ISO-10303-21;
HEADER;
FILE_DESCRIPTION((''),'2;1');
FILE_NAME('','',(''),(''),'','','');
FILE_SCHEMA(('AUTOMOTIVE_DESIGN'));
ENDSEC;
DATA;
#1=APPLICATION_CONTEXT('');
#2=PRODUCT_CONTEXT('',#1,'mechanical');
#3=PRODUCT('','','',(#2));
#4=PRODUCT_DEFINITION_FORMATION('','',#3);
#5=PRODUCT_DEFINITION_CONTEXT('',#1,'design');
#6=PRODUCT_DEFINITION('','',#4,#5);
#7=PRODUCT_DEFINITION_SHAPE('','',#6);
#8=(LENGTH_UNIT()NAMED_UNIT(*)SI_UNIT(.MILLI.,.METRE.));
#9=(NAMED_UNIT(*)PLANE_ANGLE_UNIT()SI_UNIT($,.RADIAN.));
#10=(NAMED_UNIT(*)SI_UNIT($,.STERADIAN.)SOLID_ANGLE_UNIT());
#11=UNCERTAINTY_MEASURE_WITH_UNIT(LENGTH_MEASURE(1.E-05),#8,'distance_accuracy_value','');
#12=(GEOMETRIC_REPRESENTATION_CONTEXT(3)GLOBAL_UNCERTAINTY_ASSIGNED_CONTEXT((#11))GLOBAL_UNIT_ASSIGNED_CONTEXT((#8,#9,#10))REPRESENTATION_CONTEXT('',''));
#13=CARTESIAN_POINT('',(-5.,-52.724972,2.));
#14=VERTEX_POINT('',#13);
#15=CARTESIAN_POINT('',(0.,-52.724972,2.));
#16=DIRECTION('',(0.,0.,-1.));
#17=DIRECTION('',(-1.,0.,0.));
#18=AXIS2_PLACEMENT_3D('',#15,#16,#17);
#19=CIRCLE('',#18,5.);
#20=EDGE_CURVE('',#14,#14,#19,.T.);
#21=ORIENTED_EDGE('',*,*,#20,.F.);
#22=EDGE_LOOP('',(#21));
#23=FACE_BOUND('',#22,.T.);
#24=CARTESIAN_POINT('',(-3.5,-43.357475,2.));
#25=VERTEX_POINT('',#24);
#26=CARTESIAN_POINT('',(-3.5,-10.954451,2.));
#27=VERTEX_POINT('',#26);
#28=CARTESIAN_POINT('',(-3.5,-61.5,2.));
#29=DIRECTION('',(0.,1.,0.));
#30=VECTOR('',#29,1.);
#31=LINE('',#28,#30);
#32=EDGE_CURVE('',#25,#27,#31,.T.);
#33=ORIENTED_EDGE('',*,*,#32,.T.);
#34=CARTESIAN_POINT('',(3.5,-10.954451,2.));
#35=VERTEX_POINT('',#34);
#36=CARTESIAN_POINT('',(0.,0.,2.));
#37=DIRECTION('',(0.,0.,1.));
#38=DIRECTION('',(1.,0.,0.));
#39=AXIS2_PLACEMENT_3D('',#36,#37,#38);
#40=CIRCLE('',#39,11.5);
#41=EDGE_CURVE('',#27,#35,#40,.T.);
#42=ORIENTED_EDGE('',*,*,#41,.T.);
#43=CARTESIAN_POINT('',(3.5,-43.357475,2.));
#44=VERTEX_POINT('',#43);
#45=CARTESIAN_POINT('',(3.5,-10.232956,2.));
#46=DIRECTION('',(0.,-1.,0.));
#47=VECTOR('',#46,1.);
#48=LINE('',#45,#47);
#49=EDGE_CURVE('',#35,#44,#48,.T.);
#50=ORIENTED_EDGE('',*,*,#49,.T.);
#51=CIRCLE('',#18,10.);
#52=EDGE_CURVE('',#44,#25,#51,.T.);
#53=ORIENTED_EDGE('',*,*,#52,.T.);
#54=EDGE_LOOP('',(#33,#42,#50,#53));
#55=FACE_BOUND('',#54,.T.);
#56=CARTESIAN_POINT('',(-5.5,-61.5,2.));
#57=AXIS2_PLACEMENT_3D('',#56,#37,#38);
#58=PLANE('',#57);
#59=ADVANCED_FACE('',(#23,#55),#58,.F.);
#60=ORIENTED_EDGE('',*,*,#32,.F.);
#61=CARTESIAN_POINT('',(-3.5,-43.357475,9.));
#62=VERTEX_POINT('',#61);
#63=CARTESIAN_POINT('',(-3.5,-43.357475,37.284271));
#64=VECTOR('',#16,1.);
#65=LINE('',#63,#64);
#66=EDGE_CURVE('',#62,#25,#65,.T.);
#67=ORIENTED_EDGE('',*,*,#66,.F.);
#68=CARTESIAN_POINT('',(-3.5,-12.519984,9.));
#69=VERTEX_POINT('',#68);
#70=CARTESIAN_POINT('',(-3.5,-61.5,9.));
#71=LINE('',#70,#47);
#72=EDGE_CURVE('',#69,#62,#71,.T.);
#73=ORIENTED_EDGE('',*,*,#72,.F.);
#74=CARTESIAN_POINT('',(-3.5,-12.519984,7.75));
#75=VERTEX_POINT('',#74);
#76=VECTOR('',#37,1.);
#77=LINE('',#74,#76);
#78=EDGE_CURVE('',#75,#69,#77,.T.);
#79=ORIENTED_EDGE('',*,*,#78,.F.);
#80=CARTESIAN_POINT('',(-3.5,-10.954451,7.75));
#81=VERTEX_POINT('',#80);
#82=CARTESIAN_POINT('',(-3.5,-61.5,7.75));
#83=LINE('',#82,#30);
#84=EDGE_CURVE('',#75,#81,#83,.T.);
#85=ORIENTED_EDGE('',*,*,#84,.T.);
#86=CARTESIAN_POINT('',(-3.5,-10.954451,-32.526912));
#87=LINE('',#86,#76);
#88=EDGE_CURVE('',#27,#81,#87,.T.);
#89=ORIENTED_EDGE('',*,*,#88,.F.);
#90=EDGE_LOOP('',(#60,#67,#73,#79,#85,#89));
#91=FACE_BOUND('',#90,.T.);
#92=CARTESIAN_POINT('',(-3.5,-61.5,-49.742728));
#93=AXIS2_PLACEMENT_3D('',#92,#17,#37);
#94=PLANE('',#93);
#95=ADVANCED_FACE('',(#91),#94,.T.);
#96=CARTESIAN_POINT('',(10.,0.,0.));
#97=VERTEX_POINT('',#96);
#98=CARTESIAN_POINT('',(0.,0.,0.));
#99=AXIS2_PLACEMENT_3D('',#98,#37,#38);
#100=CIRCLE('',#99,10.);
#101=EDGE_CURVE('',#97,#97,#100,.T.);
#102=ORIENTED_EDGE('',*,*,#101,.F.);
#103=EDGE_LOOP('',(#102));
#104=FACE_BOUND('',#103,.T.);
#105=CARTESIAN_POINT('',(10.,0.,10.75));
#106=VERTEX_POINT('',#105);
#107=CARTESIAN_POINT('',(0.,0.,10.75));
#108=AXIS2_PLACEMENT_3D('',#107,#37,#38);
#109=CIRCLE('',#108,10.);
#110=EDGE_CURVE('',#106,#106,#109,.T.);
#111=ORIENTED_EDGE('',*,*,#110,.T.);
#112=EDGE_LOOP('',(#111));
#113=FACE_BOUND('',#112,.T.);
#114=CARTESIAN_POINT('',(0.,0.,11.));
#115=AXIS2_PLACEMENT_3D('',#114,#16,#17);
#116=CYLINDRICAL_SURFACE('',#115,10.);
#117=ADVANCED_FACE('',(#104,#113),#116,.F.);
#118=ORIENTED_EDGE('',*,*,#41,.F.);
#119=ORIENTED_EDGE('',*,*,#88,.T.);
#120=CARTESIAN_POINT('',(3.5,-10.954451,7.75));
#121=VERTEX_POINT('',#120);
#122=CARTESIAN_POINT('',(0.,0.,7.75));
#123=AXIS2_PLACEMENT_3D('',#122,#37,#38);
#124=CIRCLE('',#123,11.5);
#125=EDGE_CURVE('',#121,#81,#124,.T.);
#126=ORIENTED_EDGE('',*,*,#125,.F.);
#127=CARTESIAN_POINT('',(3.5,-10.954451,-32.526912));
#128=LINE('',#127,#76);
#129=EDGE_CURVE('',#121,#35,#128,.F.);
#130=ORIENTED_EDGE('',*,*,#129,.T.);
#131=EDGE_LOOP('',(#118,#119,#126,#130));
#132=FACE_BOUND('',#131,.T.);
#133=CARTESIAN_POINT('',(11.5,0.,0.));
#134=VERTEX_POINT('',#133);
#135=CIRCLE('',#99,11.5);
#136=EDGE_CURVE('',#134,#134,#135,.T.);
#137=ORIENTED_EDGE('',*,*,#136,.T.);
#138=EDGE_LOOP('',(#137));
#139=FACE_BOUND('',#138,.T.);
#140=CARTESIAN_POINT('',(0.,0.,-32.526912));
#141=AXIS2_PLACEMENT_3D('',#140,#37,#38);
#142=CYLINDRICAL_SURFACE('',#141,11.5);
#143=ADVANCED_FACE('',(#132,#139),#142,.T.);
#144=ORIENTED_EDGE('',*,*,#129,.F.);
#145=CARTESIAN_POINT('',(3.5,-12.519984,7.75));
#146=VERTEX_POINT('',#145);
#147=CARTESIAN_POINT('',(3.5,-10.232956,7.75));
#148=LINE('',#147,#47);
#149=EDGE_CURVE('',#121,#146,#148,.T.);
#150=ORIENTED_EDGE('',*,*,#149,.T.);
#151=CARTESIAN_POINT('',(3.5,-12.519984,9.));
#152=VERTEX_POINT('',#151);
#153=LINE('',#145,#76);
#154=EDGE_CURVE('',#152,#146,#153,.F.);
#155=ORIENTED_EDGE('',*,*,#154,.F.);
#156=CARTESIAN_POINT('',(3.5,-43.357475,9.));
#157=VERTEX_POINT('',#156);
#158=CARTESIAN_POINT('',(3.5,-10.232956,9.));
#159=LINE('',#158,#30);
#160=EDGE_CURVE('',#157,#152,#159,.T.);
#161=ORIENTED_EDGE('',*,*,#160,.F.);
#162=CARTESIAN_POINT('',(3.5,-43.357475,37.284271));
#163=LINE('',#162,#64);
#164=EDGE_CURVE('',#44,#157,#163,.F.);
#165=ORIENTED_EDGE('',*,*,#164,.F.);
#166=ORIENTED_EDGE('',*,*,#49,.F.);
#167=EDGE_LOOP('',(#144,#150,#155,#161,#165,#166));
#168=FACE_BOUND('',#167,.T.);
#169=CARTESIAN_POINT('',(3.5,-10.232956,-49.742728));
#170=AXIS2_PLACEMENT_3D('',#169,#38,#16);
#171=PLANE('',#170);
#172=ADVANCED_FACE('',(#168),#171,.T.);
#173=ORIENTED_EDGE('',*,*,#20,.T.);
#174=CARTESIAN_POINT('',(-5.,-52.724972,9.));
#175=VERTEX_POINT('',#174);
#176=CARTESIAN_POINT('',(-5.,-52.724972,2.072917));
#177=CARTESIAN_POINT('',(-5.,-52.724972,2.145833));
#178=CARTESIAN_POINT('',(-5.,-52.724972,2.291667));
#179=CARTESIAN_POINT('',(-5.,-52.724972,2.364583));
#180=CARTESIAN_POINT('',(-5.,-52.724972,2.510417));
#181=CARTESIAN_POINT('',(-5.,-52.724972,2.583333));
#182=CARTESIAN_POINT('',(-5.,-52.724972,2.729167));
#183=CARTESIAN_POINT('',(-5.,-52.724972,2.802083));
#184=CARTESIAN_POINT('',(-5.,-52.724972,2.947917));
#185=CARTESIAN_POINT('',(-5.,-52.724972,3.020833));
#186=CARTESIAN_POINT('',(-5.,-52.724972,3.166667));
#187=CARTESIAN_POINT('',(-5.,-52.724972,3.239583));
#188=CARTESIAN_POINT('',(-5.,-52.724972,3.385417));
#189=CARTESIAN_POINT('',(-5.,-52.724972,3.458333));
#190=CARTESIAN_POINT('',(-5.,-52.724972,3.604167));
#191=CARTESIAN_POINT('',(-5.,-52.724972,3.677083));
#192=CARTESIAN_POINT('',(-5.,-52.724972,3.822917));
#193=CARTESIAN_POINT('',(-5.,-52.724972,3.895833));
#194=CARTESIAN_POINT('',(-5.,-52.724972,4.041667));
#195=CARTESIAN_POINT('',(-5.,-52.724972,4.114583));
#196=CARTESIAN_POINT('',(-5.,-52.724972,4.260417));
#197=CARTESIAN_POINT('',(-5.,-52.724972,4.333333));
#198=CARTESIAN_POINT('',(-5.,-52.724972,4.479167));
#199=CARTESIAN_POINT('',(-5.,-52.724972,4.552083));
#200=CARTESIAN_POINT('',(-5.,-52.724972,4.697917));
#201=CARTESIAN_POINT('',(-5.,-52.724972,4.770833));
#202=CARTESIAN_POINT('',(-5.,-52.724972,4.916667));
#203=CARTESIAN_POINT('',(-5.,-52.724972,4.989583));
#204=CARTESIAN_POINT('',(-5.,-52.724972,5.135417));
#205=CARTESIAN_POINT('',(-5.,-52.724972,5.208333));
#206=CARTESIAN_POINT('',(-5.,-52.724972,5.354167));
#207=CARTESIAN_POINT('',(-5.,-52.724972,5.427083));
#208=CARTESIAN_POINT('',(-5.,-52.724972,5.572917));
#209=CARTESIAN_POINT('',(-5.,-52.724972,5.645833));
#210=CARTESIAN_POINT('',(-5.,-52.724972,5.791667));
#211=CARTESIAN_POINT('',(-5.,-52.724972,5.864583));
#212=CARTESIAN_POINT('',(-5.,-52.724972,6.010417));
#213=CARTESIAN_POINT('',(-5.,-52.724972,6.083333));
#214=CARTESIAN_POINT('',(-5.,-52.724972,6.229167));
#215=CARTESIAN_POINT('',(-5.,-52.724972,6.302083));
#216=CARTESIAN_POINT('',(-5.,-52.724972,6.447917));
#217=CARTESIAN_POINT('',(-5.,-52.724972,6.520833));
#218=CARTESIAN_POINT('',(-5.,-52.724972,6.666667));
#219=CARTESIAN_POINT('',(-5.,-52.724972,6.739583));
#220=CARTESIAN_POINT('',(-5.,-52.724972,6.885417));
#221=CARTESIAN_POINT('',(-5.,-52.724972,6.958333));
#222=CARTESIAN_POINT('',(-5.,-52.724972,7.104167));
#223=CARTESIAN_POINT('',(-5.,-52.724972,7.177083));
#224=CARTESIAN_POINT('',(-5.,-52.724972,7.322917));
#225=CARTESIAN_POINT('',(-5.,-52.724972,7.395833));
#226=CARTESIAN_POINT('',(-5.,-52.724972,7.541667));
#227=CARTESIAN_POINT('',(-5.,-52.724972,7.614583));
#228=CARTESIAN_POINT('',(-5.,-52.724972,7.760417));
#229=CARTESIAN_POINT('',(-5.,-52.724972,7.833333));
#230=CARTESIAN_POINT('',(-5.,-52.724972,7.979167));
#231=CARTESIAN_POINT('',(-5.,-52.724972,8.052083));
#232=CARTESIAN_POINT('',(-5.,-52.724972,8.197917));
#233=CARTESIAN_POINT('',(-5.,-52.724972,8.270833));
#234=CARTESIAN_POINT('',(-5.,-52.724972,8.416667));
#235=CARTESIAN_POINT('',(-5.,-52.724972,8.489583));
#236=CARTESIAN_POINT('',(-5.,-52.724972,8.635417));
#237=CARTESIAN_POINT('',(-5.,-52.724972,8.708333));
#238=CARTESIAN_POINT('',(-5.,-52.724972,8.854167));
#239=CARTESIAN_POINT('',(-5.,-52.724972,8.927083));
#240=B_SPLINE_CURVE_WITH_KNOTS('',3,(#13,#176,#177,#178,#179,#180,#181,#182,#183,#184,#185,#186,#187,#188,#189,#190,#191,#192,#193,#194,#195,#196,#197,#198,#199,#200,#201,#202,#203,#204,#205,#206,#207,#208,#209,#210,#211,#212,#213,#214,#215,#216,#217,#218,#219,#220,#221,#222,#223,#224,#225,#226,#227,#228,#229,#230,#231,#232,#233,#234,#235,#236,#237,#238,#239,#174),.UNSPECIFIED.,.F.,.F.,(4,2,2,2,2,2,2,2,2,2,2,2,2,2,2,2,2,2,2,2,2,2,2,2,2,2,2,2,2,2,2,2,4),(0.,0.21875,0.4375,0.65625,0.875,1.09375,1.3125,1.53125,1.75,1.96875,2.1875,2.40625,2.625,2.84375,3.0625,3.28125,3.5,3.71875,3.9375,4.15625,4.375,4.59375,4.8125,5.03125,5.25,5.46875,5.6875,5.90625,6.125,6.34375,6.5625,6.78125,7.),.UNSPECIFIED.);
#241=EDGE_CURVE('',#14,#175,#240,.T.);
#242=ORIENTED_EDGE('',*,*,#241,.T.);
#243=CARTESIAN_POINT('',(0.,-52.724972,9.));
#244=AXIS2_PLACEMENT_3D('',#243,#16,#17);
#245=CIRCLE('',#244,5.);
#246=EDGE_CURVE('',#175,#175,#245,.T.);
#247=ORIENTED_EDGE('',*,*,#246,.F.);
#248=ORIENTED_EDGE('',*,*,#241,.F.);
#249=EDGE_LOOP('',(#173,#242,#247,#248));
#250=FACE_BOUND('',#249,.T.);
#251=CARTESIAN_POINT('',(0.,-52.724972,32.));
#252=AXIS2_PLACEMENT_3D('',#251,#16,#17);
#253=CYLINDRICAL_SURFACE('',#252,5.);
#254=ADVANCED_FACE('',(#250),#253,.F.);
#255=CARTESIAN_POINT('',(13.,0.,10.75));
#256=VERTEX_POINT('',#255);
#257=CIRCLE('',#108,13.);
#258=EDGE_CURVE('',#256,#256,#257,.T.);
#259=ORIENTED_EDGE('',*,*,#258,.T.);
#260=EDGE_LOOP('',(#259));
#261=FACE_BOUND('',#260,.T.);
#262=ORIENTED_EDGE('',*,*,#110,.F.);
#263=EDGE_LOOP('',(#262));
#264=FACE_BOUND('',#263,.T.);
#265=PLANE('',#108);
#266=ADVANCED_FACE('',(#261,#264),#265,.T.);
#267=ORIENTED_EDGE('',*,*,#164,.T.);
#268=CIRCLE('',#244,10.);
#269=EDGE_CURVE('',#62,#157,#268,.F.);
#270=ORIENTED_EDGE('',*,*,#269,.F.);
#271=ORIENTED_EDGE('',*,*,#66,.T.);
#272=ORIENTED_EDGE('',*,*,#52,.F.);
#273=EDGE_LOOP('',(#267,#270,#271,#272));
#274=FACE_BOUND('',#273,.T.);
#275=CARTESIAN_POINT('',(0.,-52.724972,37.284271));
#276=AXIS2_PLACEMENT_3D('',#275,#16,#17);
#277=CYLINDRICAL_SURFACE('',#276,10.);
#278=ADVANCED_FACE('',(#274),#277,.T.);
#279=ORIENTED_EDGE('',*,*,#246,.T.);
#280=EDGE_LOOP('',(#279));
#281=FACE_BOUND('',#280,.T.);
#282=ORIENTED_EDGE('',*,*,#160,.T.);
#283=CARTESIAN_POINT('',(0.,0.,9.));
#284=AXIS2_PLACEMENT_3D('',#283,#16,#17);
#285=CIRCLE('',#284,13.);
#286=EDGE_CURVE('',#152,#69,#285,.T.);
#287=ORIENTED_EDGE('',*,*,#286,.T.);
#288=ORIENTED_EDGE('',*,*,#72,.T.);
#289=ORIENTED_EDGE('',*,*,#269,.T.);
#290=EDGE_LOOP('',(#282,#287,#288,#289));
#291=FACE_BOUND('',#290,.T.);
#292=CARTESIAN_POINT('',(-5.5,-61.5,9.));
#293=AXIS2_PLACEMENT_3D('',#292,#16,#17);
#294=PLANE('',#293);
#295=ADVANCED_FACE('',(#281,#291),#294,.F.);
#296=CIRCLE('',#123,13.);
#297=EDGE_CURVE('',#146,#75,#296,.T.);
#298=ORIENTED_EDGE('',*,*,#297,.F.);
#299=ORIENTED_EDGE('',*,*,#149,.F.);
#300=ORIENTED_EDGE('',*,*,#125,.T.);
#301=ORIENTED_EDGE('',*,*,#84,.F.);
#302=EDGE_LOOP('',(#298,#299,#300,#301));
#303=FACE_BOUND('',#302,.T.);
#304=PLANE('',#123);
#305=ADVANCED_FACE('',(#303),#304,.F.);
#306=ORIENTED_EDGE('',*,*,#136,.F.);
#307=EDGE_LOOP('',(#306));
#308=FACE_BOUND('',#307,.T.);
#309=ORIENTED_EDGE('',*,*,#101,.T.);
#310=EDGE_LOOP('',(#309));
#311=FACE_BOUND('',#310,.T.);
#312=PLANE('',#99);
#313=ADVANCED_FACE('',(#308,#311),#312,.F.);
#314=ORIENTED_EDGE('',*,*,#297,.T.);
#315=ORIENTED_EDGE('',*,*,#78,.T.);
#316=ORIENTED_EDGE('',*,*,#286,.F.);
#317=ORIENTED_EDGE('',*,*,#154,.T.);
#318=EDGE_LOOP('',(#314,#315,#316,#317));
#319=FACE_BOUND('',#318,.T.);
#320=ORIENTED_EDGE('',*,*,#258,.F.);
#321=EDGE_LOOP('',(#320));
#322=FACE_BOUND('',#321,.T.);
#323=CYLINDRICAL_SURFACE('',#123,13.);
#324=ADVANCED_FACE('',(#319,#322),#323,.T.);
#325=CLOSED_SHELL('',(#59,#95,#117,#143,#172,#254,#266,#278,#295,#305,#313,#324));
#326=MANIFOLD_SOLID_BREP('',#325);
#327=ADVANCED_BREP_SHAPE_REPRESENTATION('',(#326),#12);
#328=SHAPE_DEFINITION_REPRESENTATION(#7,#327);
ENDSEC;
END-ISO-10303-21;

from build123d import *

# Parameters (mm, degrees)
CROQUIS1_R               = 10
SALIENTE_EXTRUIR1_DEPTH  = 3
CROQUIS2_R               = 11.5
CROQUIS2_R_2             = 10
SALIENTE_EXTRUIR3_DEPTH  = 8
SALIENTE_EXTRUIR4_START  = 3
CROQUIS3_R               = 11.5
CROQUIS3_R_2             = 10
SALIENTE_EXTRUIR4_DEPTH  = 3
SALIENTE_EXTRUIR5_DEPTH  = 8
CROQUIS11_W              = 0.560242515
CROQUIS11_H              = 6
CORTAR_EXTRUIR3_DEPTH    = 8
CROQUIS12_W              = 2.5
CROQUIS12_H              = 0.622045166
SALIENTE_EXTRUIR6_DEPTH  = 3
CROQUIS13_W              = 5
CROQUIS13_H              = 50.27502784
SALIENTE_EXTRUIR7_DEPTH  = 8
CROQUIS15_W              = 2
CROQUIS15_H              = 50.27502784
CORTAR_EXTRUIR4_DEPTH    = 8
SALIENTE_EXTRUIR8_DEPTH  = 7
CROQUIS21_R              = 10
SALIENTE_EXTRUIR9_DEPTH  = 7
CROQUIS22_R              = 5
CORTAR_EXTRUIR5_DEPTH    = 30
CROQUIS23_R              = 10
SALIENTE_EXTRUIR10_DEPTH = 1.25
CORTAR_EXTRUIR6_START    = -1.5
CROQUIS24_R              = 10
CORTAR_EXTRUIR6_DEPTH    = 1.5
SALIENTE_EXTRUIR11_START = -3
CROQUIS25_R              = 13
SALIENTE_EXTRUIR11_DEPTH = 3
CORTAR_EXTRUIR14_START   = -10
CROQUIS30_R              = 10
CORTAR_EXTRUIR14_DEPTH   = 10
CROQUIS31_R              = 11.5
CROQUIS31_R_2            = 10
SALIENTE_EXTRUIR12_DEPTH = 7.75


with BuildPart() as part:
    # Croquis1 → Saliente-Extruir1 (new body)
    with BuildSketch(Plane.XY):
        Circle(CROQUIS1_R)
    extrude(amount=SALIENTE_EXTRUIR1_DEPTH)



with BuildPart() as body_2:
    # Croquis2 → Saliente-Extruir3 (new body)
    with BuildSketch(Plane.XY.offset(3)):
        Circle(CROQUIS2_R)
        Circle(CROQUIS2_R_2, mode=Mode.SUBTRACT)
    extrude(amount=SALIENTE_EXTRUIR3_DEPTH)


with BuildPart() as part_1:
    add(part.part)

    add(body_2.part)  # Saliente-Extruir4 merges body 2
    # Croquis3 → Saliente-Extruir4 (add)
    with BuildSketch(Plane(origin=(0, 0, 3), x_dir=(-1, 0, 0), z_dir=(0, 0, -1)).offset(SALIENTE_EXTRUIR4_START)):
        with Locations(Location((0, 0, 0), (0, 0, 180))):
            Circle(CROQUIS3_R)
        with Locations(Location((0, 0, 0), (0, 0, 180))):
            Circle(CROQUIS3_R_2, mode=Mode.SUBTRACT)
    extrude(amount=-SALIENTE_EXTRUIR4_DEPTH)

    # Croquis12 → Saliente-Extruir6 (add)
    with BuildSketch(Plane.XY.offset(3)):
        with Locations((-1.25, -11.188977417)):
            Rectangle(CROQUIS12_W, CROQUIS12_H)
        with Locations((1.25, -11.188977417)):
            Rectangle(CROQUIS12_W, CROQUIS12_H)
        Polygon((2.5, -11.5), (2.5, -61.5), (-2.5, -61.5), (-2.5, -11.5), (0, -11.5), align=None)
    extrude(amount=-SALIENTE_EXTRUIR6_DEPTH)

    # Croquis13 → Saliente-Extruir7 (add)
    with BuildSketch(Plane.XY.offset(3)):
        with Locations((0, -36.36248608)):
            Rectangle(CROQUIS13_W, CROQUIS13_H)
    extrude(amount=SALIENTE_EXTRUIR7_DEPTH)

    # Croquis15 → Cortar-Extruir4 (cut)
    with BuildSketch(Plane(origin=(2.5, 0, 0), x_dir=(0, 0, -1), z_dir=(1, 0, 0))):
        with Locations((-10, -36.36248608)):
            Rectangle(CROQUIS15_W, CROQUIS15_H)
        with Locations((-1, -36.36248608)):
            Rectangle(CROQUIS15_W, CROQUIS15_H)
    extrude(amount=-CORTAR_EXTRUIR4_DEPTH, mode=Mode.SUBTRACT)

    # Croquis16 → Saliente-Extruir8 (add)
    with BuildSketch(Plane.XY.offset(9)):
        Polygon((-2.5, -61.5), (-3.5, -61.5), (-3.5, -10.232955502), (3.5, -10.232955502), (3.5, -61.5), (2.5, -61.5), align=None)
    extrude(amount=-SALIENTE_EXTRUIR8_DEPTH)

    # Croquis21 → Saliente-Extruir9 (add)
    with BuildSketch(Plane(origin=(0, 0, 2), x_dir=(-1, 0, 0), z_dir=(0, 0, -1))):
        with Locations((0, -52.72497216)):
            Circle(CROQUIS21_R)
    extrude(amount=-SALIENTE_EXTRUIR9_DEPTH)

    # Croquis22 → Cortar-Extruir5 (cut)
    with BuildSketch(Plane(origin=(0, 0, 2), x_dir=(-1, 0, 0), z_dir=(0, 0, -1))):
        with Locations((0, -52.72497216)):
            Circle(CROQUIS22_R)
    extrude(amount=-CORTAR_EXTRUIR5_DEPTH, mode=Mode.SUBTRACT)

    # Croquis23 → Saliente-Extruir10 (add)
    with BuildSketch(Plane.XY.offset(11)):
        with BuildLine():
            Line((-2.5, -11.22497216), (2.5, -11.22497216))
            ThreePointArc((2.5, -11.22497216), (0, 11.5), (-2.5, -11.22497216))
        make_face()
        Circle(CROQUIS23_R, mode=Mode.SUBTRACT)
    extrude(amount=SALIENTE_EXTRUIR10_DEPTH)

    # Croquis24 → Cortar-Extruir6 (cut)
    with BuildSketch(Plane.XY.offset(12.25).offset(CORTAR_EXTRUIR6_START)):
        with BuildLine():
            Line((-2.5, -11.22497216), (2.5, -11.22497216))
            ThreePointArc((2.5, -11.22497216), (0, 11.5), (-2.5, -11.22497216))
        make_face()
        Circle(CROQUIS24_R, mode=Mode.SUBTRACT)
    extrude(amount=CORTAR_EXTRUIR6_DEPTH, mode=Mode.SUBTRACT)

    # Croquis25 → Saliente-Extruir11 (add)
    with BuildSketch(Plane.XY.offset(10.75).offset(SALIENTE_EXTRUIR11_START)):
        Circle(CROQUIS25_R)
        with BuildLine():
            ThreePointArc((2.5, -11.22497216), (0, 11.5), (-2.5, -11.22497216))
            Line((-2.5, -11.22497216), (2.5, -11.22497216))
        make_face(mode=Mode.SUBTRACT)
    extrude(amount=SALIENTE_EXTRUIR11_DEPTH)

    # Croquis30 → Cortar-Extruir14 (cut)
    with BuildSketch(Plane.XY.offset(3).offset(CORTAR_EXTRUIR14_START)):
        Circle(CROQUIS30_R)
    extrude(amount=CORTAR_EXTRUIR14_DEPTH, mode=Mode.SUBTRACT)

    # Croquis31 → Saliente-Extruir12 (add)
    with BuildSketch(Plane(origin=(0, 0, 0), x_dir=(-1, 0, 0), z_dir=(0, 0, -1))):
        with Locations(Location((0, 0, 0), (0, 0, 180))):
            Circle(CROQUIS31_R)
        with Locations(Location((0, 0, 0), (0, 0, 180))):
            Circle(CROQUIS31_R_2, mode=Mode.SUBTRACT)
    extrude(amount=-SALIENTE_EXTRUIR12_DEPTH)


with BuildPart() as body_2_2:
    # Croquis9 → Saliente-Extruir5 (new body)
    with BuildSketch(Plane.XY.offset(11)):
        Polygon((11.5, 0), (11.5, 3), (12.060242515, 3), (12.060242515, -3), (11.5, -3), align=None)
    extrude(amount=-SALIENTE_EXTRUIR5_DEPTH)

    # Croquis11 → Cortar-Extruir3 (cut)
    with BuildSketch(Plane.XY.offset(11)):
        with Locations((11.780121257, 0)):
            Rectangle(CROQUIS11_W, CROQUIS11_H)
    extrude(amount=-CORTAR_EXTRUIR3_DEPTH, mode=Mode.SUBTRACT)


solid = part_1.part
